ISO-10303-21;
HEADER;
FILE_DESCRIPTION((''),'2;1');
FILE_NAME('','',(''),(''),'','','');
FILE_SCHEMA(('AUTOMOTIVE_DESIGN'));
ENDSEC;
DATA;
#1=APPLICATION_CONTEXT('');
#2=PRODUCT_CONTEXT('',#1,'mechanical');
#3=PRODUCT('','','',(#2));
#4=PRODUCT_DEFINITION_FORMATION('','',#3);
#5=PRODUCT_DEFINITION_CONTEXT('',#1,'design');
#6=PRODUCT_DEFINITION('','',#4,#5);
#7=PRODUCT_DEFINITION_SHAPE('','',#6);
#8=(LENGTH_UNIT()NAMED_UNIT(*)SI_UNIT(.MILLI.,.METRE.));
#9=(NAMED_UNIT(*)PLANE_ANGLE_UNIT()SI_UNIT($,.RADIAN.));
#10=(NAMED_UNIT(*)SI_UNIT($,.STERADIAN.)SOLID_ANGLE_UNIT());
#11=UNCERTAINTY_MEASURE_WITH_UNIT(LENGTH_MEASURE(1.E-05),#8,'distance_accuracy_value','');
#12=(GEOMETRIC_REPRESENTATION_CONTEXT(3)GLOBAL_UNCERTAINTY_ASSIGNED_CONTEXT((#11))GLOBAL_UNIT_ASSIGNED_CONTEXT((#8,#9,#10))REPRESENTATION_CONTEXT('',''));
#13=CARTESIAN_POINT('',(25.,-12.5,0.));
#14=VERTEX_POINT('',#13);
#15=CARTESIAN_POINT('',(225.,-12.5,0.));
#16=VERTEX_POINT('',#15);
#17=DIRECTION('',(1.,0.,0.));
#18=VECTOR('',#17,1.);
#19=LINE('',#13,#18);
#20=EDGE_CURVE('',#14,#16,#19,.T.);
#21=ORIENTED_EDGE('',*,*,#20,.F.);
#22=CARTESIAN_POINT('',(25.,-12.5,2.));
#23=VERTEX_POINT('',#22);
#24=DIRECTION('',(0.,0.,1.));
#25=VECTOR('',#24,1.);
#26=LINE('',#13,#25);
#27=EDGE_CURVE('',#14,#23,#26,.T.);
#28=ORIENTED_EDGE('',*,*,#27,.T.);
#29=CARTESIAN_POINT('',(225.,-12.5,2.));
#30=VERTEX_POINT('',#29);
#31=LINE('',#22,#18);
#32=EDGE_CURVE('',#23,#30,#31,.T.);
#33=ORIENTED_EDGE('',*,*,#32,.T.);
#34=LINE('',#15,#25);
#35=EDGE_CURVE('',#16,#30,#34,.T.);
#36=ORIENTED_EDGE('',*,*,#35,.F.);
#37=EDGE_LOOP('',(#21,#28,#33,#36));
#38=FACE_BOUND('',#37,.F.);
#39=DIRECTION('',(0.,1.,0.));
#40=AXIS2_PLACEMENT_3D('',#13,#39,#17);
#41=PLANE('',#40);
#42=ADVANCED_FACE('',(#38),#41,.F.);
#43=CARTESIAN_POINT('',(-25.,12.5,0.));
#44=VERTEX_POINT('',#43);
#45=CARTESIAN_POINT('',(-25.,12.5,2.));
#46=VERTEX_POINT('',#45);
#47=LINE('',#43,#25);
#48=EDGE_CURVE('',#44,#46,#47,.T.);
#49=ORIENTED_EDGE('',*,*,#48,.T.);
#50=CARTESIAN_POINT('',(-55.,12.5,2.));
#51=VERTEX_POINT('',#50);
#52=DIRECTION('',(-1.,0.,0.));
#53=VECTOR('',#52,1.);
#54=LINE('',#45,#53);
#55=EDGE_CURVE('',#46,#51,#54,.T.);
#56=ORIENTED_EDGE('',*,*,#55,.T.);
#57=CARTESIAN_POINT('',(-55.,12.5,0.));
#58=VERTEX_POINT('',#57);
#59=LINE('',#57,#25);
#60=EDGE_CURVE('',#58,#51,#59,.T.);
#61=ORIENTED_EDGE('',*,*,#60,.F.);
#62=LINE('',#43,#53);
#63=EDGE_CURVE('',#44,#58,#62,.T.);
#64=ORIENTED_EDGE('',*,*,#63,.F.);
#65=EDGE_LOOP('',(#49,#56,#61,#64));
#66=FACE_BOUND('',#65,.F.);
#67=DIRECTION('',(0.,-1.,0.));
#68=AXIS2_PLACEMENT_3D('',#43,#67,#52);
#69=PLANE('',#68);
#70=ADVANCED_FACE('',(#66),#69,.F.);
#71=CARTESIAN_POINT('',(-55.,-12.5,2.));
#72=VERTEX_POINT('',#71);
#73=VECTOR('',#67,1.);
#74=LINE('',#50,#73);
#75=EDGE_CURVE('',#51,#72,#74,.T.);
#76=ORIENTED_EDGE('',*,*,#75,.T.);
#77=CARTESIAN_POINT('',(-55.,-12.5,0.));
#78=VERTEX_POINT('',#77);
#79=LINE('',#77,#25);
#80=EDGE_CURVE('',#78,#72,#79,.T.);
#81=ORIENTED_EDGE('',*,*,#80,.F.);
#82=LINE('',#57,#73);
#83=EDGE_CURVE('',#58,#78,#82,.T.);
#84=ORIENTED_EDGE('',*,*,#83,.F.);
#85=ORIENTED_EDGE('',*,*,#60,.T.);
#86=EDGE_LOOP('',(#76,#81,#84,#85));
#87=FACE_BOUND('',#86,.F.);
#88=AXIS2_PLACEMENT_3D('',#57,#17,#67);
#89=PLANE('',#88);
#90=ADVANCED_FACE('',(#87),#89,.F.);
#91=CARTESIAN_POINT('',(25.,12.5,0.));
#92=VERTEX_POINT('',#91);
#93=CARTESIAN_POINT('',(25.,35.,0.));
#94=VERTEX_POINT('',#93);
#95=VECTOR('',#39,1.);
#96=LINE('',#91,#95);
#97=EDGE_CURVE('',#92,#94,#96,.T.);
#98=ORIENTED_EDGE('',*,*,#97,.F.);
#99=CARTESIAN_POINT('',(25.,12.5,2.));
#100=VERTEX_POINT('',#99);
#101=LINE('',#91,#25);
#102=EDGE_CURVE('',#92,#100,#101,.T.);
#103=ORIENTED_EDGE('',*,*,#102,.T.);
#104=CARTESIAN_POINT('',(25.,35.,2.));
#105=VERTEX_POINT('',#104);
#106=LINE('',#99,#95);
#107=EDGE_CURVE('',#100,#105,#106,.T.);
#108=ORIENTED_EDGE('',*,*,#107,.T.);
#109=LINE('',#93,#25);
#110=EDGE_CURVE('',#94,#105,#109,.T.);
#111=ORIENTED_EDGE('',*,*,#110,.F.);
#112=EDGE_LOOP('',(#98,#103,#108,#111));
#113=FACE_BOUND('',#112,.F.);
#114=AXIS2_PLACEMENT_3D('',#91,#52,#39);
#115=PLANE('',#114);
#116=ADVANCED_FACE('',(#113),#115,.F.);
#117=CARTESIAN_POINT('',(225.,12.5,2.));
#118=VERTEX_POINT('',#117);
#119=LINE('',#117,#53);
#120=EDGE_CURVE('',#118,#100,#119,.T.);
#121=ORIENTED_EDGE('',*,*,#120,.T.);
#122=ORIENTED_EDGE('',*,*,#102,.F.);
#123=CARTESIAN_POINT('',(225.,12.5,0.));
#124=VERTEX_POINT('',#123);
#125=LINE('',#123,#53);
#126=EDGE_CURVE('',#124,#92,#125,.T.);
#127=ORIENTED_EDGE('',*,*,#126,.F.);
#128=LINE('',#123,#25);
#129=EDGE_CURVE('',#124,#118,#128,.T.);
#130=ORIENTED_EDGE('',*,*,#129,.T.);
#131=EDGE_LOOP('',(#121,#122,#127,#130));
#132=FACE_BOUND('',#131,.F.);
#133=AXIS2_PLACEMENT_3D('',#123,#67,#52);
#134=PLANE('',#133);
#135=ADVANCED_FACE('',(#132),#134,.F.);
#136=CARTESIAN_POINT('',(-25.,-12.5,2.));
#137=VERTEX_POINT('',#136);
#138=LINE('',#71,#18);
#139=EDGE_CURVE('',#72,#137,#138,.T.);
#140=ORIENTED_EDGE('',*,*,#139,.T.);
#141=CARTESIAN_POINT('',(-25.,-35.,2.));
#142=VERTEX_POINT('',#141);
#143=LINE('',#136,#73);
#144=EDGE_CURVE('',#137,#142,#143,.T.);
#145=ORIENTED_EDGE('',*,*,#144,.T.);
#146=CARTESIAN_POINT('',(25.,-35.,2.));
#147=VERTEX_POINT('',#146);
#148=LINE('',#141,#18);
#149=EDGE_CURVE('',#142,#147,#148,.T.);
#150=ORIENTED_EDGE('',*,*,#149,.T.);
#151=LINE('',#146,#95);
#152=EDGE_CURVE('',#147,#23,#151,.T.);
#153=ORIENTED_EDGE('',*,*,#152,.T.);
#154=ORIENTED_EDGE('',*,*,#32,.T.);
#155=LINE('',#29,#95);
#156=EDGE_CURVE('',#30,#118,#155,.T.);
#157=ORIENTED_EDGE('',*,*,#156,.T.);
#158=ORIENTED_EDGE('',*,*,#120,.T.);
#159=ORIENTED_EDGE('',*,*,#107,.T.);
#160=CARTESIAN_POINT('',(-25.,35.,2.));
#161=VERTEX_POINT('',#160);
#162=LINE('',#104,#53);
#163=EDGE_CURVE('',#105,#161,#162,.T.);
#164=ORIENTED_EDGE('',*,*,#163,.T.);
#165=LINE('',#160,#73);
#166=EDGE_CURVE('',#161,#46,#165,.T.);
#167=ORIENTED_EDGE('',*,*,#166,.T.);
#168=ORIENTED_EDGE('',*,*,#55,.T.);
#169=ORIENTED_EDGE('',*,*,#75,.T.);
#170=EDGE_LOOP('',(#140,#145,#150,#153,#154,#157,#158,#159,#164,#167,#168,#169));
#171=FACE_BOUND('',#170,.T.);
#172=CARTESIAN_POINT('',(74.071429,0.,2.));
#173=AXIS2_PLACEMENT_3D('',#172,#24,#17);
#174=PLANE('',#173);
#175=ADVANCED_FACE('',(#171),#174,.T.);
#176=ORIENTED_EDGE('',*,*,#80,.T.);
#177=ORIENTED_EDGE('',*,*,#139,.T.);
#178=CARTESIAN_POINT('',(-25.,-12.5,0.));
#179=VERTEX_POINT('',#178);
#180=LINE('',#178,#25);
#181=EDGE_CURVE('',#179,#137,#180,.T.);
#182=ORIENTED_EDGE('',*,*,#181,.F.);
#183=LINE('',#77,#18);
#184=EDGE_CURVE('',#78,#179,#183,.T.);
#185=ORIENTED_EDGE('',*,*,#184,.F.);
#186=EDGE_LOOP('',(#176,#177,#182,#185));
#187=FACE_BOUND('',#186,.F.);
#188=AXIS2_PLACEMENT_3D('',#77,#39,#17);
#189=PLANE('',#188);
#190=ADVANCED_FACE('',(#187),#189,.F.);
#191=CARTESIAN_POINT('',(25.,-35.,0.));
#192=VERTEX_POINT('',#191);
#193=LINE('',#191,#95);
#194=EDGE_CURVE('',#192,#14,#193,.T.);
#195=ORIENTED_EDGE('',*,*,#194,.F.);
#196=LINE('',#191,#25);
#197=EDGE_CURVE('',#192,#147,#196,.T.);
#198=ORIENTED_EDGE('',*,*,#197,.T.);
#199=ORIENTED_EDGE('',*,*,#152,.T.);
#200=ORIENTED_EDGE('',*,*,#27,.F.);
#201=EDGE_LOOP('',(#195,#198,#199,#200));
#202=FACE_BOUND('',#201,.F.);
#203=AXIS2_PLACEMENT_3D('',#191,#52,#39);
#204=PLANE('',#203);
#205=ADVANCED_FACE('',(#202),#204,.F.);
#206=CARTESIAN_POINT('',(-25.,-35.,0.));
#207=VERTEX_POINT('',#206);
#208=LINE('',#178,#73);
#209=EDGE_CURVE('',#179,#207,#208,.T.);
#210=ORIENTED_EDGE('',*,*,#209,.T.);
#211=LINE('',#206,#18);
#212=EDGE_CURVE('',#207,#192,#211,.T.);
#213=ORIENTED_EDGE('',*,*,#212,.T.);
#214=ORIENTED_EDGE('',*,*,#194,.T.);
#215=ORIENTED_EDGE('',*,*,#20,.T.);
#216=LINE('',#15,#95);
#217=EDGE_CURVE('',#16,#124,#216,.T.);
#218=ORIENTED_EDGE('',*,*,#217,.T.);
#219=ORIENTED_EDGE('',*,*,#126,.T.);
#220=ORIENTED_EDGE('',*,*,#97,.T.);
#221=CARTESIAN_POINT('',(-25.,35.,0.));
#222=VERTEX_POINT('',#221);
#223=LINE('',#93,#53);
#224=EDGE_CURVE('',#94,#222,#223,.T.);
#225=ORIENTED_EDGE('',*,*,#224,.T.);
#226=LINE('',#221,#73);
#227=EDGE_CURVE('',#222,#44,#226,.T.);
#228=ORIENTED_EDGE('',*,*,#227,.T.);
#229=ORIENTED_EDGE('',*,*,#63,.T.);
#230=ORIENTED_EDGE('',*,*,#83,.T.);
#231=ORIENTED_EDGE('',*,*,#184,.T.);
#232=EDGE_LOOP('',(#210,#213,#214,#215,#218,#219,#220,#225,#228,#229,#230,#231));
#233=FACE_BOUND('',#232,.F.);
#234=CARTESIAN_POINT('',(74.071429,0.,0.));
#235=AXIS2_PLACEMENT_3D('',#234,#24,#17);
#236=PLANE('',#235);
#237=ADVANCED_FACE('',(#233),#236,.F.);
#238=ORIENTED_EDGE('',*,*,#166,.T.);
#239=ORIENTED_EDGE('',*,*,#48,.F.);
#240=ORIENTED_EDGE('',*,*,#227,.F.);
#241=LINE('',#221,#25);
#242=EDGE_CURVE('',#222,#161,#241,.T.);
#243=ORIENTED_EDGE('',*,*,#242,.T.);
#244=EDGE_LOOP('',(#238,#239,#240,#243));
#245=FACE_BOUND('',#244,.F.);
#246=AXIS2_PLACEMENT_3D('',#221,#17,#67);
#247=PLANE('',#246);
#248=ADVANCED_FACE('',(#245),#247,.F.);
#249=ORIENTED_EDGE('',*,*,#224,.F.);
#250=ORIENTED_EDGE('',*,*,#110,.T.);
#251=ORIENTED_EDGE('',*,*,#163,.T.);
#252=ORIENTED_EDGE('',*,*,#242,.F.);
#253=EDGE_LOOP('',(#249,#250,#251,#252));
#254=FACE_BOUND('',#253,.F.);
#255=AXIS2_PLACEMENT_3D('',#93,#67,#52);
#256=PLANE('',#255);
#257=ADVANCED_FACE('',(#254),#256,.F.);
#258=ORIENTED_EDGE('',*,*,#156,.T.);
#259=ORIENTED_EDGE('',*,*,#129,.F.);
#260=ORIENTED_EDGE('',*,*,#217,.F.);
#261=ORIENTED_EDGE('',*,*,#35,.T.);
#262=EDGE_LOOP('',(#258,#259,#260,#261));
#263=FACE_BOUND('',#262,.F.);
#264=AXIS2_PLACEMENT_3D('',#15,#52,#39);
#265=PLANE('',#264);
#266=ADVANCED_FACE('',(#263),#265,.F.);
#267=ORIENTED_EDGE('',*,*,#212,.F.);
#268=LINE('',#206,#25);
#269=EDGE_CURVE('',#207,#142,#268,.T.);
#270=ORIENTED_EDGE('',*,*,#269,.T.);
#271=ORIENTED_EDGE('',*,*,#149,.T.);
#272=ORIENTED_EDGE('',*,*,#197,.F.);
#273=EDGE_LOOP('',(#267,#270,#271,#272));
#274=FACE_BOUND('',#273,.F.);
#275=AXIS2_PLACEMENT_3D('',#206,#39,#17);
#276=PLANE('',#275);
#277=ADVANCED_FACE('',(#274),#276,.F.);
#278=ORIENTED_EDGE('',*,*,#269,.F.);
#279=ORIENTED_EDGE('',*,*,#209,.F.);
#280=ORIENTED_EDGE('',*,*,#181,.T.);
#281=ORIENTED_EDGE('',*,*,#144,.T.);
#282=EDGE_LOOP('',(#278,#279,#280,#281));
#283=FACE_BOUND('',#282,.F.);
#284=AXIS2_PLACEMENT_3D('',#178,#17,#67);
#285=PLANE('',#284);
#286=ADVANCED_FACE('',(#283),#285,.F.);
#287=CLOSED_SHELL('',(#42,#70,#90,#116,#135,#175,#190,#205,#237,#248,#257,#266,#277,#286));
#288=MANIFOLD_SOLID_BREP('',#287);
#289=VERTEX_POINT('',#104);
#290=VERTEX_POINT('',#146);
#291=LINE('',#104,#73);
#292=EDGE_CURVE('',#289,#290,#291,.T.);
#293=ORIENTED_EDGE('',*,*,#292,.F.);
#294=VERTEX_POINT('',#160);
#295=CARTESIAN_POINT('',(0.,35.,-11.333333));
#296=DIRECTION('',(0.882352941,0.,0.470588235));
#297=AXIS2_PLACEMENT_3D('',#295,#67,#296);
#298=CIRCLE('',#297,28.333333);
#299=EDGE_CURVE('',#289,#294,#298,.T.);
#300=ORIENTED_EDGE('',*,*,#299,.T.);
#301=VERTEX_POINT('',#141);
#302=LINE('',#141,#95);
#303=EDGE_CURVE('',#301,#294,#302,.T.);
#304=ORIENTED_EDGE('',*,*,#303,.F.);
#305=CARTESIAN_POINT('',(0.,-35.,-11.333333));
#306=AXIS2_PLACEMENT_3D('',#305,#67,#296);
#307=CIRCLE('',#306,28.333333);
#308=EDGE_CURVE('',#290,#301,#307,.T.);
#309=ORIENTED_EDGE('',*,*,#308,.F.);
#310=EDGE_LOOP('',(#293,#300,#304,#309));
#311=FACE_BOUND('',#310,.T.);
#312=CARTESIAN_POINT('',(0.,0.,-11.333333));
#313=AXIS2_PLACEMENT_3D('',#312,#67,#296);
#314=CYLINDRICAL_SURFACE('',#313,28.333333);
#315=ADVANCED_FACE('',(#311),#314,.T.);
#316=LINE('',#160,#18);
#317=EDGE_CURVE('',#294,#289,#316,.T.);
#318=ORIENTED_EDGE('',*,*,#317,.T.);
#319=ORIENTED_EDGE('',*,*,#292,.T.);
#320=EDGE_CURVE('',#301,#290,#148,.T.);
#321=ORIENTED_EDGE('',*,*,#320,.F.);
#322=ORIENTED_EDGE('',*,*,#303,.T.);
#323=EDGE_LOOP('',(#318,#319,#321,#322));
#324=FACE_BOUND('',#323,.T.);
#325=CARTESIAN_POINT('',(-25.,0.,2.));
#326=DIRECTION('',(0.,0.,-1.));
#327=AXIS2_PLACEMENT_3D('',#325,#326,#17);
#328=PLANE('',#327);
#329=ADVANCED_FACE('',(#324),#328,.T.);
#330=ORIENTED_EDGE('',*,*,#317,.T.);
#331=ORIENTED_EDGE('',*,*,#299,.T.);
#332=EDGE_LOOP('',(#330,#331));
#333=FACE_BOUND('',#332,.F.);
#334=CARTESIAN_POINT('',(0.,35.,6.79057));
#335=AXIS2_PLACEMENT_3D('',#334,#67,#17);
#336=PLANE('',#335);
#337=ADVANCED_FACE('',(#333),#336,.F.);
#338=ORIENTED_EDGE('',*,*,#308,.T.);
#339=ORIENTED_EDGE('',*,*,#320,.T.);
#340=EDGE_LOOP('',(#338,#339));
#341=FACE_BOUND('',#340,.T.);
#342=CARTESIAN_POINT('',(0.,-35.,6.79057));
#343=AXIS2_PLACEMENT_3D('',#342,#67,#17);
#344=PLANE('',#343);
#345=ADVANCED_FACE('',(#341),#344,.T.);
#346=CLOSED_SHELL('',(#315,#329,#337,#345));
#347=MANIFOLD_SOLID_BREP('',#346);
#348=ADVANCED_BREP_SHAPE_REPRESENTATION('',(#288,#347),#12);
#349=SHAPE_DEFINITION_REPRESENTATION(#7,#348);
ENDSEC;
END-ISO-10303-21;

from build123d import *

# Parameters (mm, degrees)
F1_DEPTH      = 2
F3_DEPTH      = 35
F3_DEPTH_BACK = 35


with BuildPart() as f1:
    # F0 (on Top) → F1 (new body)
    with BuildSketch(Plane.XY):
        Polygon((25, 15), (25, 35), (-25, 35), (-25, 15), (-25, 12.5), (-55, 12.5), (-55, -12.5), (-25, -12.5), (-25, -15), (-25, -35), (25, -35), (25, -15), (25, -12.5), (225, -12.5), (225, 12.5), (25, 12.5), align=None)
    extrude(amount=F1_DEPTH)


with BuildPart() as f3:
    # F2 (on Front) → F3 (new body, two sides)
    with BuildSketch(Plane.XZ) as f3_sk:
        with BuildLine():
            Line((-25, 2), (25, 2))
            ThreePointArc((25, 2), (0, 17), (-25, 2))
        make_face()
    extrude(amount=F3_DEPTH)
    extrude(f3_sk.sketch, amount=-F3_DEPTH_BACK)


solid = Compound([f1.part, f3.part])
